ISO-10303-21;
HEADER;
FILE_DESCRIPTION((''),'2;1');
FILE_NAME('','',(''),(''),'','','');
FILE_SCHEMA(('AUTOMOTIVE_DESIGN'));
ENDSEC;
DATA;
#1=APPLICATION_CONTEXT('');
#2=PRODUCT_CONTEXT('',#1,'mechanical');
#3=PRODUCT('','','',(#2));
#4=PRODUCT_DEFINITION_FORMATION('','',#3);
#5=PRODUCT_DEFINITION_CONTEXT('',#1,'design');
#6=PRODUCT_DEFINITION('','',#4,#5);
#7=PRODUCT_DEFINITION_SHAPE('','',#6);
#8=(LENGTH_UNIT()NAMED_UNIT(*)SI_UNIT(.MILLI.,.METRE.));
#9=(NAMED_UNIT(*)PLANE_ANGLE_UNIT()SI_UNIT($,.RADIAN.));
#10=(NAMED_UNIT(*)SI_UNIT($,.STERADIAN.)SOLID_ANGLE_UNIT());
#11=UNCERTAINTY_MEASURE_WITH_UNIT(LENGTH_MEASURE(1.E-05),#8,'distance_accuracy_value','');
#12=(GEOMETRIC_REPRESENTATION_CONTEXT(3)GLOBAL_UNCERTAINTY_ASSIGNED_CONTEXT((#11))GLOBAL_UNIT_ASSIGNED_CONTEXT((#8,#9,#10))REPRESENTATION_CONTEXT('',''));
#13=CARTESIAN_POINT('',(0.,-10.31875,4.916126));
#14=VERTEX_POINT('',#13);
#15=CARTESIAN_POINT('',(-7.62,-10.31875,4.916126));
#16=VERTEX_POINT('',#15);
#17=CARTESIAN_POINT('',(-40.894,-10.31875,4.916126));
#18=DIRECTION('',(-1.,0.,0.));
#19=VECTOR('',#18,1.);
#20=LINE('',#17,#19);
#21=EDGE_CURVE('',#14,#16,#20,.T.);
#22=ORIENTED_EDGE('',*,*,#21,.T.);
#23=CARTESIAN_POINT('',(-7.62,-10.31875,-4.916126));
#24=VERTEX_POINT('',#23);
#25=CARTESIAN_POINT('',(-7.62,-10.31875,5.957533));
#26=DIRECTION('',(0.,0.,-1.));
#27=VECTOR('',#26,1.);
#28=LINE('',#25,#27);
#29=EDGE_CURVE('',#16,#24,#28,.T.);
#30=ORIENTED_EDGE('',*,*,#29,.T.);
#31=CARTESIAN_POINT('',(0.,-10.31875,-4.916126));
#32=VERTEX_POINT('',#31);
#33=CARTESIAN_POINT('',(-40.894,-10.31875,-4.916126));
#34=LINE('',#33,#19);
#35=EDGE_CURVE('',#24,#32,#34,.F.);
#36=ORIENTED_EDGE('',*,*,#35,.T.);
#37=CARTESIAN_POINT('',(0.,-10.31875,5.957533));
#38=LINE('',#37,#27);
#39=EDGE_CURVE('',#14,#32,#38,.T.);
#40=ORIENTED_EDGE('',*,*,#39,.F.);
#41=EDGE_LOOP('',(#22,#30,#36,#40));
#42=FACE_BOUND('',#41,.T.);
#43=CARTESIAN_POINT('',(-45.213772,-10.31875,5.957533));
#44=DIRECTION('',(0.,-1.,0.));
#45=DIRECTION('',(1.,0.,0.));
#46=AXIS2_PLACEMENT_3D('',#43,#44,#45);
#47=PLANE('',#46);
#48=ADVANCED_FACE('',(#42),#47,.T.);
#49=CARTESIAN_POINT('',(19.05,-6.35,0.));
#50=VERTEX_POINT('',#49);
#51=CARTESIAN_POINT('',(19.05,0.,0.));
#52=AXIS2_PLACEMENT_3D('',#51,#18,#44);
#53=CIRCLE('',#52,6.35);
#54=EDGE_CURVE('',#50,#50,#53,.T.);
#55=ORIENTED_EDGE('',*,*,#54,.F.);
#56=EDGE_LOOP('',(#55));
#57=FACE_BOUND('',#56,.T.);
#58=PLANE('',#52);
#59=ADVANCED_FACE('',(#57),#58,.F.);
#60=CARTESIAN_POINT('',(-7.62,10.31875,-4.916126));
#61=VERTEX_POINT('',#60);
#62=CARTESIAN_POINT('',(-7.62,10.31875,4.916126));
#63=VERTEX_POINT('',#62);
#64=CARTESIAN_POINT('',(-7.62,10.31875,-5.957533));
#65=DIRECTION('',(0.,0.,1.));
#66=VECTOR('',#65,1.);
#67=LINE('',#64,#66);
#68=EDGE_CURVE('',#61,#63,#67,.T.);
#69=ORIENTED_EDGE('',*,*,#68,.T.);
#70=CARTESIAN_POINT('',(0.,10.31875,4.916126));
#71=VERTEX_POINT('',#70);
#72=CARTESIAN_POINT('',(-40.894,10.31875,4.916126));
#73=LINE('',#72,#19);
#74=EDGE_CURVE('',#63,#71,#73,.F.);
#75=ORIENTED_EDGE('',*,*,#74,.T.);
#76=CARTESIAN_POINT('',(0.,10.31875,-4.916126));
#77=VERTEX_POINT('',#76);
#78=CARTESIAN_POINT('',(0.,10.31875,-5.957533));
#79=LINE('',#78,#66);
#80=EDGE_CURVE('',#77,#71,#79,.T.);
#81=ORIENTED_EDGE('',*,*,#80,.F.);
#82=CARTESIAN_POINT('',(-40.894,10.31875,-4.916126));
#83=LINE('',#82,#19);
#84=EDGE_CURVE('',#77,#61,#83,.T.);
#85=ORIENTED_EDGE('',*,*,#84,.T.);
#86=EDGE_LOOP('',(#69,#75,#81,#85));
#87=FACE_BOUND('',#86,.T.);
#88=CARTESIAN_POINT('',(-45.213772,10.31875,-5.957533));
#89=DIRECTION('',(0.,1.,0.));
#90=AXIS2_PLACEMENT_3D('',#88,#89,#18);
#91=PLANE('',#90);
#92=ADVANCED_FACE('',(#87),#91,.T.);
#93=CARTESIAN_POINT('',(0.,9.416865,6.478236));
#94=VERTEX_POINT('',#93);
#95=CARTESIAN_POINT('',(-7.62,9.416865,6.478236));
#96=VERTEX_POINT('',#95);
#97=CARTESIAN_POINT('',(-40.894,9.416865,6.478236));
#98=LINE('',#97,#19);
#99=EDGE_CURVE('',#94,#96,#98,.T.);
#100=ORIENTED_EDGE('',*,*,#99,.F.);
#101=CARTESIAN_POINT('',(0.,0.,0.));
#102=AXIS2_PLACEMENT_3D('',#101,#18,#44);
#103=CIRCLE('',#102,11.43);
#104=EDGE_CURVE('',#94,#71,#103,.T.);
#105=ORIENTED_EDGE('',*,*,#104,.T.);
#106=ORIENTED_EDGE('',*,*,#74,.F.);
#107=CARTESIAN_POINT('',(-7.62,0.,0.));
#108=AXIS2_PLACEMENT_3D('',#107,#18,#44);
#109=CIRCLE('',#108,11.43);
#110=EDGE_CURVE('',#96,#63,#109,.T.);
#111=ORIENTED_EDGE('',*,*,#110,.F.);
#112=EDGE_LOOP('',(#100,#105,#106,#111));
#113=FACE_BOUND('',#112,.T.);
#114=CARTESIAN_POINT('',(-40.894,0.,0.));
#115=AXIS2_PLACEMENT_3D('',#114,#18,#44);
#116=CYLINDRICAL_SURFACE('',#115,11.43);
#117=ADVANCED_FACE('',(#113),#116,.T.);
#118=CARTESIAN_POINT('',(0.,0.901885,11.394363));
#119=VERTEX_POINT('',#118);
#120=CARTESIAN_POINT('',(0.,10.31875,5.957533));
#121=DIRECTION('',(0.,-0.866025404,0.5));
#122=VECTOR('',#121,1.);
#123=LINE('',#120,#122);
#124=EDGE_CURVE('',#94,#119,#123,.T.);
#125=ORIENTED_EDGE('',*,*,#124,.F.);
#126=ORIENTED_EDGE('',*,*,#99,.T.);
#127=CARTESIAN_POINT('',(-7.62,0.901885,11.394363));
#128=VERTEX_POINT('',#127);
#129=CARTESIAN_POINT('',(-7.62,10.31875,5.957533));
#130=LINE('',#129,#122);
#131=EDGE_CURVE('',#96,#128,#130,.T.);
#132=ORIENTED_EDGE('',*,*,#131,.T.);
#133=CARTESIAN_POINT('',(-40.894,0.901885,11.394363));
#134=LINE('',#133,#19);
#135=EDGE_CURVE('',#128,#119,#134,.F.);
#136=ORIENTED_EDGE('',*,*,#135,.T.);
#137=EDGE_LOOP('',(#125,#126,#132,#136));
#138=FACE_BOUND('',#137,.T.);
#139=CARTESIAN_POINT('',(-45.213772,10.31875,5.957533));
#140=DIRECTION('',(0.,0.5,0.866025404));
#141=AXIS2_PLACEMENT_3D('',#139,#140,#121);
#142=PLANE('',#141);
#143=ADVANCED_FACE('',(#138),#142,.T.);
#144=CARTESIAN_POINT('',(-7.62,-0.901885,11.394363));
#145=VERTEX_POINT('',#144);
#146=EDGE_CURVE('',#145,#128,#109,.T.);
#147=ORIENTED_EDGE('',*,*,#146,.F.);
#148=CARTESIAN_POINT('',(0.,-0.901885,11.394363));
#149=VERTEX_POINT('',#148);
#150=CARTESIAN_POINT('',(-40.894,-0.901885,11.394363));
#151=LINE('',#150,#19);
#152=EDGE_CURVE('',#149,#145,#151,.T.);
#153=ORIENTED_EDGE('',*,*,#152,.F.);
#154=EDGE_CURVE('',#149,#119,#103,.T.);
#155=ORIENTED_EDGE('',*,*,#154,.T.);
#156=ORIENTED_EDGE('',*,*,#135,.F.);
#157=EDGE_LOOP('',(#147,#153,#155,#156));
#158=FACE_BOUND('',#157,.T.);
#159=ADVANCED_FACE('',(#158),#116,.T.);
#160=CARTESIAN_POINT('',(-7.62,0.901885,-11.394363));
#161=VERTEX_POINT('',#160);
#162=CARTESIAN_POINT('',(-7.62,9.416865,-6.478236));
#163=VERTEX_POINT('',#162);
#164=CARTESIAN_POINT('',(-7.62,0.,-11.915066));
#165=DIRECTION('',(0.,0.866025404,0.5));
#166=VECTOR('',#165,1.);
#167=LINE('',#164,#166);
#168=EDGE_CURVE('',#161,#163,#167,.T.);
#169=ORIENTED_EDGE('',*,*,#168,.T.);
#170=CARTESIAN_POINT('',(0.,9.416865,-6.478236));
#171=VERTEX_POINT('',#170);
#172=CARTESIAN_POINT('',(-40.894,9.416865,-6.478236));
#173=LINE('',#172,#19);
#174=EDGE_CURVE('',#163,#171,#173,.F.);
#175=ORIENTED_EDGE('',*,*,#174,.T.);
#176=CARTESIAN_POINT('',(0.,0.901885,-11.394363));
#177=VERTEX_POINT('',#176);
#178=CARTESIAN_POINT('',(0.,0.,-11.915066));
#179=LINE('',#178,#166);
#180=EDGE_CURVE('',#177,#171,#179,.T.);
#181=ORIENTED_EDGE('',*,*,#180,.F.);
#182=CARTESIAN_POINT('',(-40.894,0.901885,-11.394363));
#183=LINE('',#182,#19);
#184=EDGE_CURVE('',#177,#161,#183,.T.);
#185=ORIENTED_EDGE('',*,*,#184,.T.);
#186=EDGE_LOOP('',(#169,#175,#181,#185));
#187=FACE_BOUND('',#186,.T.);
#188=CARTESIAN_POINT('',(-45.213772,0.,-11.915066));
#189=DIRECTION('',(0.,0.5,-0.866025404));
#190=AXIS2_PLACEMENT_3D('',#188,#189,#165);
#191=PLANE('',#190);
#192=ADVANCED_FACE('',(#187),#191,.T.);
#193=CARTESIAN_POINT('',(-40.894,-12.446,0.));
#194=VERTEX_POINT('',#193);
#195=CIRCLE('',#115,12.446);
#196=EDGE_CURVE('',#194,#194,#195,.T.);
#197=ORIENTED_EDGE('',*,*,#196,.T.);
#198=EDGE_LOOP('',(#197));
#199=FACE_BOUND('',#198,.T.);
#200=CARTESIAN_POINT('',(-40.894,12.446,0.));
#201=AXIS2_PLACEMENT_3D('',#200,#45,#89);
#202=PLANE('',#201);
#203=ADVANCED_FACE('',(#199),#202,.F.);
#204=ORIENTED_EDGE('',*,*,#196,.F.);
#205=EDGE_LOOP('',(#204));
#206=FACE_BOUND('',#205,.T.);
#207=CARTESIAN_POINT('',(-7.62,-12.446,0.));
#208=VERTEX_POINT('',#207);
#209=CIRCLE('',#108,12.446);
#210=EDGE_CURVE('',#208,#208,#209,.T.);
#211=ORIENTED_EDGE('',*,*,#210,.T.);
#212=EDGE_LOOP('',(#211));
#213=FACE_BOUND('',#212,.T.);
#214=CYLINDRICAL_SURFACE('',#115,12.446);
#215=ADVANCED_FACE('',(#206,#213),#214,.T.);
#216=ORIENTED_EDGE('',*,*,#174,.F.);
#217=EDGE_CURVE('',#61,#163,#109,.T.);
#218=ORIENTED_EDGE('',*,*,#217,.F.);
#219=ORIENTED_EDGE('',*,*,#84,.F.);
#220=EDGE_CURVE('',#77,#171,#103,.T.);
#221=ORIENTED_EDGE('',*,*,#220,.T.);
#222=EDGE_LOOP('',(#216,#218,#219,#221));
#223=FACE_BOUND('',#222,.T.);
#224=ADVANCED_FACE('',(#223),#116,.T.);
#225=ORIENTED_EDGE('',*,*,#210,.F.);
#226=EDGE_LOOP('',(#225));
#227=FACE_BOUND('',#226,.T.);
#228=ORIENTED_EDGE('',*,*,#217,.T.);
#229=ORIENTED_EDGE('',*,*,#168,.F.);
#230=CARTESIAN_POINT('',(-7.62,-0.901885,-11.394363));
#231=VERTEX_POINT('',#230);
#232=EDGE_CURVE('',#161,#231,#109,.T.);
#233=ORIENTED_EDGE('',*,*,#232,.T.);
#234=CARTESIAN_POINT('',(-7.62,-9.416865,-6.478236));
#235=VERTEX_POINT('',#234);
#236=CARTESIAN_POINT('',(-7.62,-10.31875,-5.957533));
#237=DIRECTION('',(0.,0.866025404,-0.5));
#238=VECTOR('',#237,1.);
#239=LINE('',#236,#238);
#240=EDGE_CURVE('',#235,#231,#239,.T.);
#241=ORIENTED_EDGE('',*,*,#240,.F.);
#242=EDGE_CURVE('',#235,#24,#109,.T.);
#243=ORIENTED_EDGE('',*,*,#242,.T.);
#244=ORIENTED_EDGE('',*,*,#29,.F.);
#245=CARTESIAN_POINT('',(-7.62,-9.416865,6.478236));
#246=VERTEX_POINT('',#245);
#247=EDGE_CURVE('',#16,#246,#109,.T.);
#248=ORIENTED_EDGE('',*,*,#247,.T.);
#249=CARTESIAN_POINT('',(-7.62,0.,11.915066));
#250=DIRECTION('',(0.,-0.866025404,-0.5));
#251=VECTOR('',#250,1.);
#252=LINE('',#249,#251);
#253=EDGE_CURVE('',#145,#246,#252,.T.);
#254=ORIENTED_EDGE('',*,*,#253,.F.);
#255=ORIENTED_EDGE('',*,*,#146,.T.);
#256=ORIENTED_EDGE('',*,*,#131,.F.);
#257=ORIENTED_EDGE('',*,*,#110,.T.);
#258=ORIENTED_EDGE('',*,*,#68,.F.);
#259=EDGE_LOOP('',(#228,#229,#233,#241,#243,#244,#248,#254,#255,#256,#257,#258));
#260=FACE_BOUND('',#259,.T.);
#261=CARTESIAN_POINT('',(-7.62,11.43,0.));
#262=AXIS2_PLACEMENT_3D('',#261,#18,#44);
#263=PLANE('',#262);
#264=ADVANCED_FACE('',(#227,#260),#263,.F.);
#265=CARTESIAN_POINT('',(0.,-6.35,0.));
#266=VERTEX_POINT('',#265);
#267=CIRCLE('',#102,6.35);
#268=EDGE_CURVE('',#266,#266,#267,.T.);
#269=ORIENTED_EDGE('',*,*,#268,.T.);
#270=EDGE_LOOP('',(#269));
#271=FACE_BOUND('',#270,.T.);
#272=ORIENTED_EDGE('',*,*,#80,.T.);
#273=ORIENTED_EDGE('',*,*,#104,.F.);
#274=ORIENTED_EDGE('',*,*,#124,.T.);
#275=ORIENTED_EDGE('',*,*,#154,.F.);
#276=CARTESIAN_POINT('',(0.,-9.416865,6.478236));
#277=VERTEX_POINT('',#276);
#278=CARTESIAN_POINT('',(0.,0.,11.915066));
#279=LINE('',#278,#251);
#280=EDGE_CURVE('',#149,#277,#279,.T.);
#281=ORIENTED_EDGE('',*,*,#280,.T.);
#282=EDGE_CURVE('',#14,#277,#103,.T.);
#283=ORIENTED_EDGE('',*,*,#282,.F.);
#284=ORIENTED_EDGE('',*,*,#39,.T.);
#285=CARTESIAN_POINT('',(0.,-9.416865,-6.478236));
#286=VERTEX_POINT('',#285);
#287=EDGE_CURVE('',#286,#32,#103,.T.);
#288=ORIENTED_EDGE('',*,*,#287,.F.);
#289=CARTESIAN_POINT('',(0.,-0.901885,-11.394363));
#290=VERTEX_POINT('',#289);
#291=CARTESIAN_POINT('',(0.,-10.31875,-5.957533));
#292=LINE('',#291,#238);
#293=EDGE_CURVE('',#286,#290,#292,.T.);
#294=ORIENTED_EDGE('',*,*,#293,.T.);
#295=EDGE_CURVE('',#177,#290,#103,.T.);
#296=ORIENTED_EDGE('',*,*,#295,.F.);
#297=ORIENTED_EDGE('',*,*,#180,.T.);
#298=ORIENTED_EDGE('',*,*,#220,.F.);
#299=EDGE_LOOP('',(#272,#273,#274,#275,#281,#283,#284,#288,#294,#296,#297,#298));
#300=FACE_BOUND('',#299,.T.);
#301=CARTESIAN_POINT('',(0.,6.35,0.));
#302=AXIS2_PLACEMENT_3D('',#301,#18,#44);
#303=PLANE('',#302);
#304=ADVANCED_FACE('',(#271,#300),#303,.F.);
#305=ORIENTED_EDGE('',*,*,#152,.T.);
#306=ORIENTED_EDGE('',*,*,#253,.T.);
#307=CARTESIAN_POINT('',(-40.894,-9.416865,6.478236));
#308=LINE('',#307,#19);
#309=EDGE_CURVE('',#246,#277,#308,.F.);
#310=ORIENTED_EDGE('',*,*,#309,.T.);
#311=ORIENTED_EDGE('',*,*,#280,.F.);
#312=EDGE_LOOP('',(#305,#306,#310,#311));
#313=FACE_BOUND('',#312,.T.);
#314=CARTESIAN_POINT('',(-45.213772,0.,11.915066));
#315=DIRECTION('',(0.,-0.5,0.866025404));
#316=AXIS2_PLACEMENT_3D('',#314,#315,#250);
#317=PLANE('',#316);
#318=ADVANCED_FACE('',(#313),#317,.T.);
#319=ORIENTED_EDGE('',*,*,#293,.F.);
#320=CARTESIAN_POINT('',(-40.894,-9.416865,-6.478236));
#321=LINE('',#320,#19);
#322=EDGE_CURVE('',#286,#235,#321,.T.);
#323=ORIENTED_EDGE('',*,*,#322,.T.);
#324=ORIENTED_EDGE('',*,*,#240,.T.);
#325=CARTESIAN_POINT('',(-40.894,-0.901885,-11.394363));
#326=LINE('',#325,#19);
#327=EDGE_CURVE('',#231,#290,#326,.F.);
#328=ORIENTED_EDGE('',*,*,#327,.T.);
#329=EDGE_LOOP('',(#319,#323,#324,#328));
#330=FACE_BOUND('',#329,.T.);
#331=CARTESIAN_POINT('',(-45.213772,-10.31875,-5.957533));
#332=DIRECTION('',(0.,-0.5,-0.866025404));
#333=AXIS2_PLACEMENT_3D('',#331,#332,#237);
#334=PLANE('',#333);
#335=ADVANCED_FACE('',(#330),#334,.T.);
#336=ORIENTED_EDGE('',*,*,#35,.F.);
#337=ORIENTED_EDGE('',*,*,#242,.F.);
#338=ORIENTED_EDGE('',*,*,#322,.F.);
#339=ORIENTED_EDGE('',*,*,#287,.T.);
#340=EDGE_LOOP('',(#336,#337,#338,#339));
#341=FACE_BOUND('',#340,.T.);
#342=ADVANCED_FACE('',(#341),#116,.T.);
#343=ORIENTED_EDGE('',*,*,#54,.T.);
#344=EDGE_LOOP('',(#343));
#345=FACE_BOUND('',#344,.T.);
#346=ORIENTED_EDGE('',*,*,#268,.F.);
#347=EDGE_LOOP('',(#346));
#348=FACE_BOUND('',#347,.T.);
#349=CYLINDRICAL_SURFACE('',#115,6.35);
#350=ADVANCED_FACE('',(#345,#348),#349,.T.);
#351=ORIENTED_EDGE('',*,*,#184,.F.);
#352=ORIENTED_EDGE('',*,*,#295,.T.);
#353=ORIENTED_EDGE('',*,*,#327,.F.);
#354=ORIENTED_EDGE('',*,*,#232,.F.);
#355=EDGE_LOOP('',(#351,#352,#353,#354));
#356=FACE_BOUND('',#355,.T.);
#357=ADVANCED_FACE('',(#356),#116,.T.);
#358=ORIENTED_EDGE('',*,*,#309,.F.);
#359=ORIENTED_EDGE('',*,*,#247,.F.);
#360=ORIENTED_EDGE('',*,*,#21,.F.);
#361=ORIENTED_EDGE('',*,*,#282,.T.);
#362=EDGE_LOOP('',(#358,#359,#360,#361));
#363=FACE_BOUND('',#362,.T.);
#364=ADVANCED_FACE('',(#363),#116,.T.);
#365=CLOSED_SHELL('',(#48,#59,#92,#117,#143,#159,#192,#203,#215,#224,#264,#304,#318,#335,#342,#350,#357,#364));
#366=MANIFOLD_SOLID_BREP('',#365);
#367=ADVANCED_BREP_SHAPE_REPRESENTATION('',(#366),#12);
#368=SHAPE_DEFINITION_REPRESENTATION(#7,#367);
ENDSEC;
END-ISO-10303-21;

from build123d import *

# Parameters (mm, degrees)
SKETCH3_OUTSIDE_W  = 40.796
SKETCH3_OUTSIDE_H  = 40.796
CUT_EXTRUDE5_DEPTH = 7.62


with BuildPart() as part:
    # Sketch1 → Revolve1 (revolve)
    with BuildSketch(Plane.XY):
        Polygon((0, 11.43), (-7.62, 11.43), (-7.62, 12.446), (-40.894, 12.446), (-40.894, 0), (19.05, 0), (19.05, 6.35), (0, 6.35), align=None)
    revolve(axis=Axis((-40.894, 0, 0), (1, 0, 0)))

    # Sketch3 outside → Cut-Extrude5 (cut)
    with BuildSketch(Plane(origin=(0, 0, 0), x_dir=(0, 0, -1), z_dir=(1, 0, 0))):
        Rectangle(SKETCH3_OUTSIDE_W, SKETCH3_OUTSIDE_H)
        Polygon((5.95753309, 10.31875), (-5.95753309, 10.31875), (-11.91506618, 0), (-5.95753309, -10.31875), (5.95753309, -10.31875), (11.91506618, 0), align=None, mode=Mode.SUBTRACT)
    extrude(amount=-CUT_EXTRUDE5_DEPTH, mode=Mode.SUBTRACT)


solid = part.part
